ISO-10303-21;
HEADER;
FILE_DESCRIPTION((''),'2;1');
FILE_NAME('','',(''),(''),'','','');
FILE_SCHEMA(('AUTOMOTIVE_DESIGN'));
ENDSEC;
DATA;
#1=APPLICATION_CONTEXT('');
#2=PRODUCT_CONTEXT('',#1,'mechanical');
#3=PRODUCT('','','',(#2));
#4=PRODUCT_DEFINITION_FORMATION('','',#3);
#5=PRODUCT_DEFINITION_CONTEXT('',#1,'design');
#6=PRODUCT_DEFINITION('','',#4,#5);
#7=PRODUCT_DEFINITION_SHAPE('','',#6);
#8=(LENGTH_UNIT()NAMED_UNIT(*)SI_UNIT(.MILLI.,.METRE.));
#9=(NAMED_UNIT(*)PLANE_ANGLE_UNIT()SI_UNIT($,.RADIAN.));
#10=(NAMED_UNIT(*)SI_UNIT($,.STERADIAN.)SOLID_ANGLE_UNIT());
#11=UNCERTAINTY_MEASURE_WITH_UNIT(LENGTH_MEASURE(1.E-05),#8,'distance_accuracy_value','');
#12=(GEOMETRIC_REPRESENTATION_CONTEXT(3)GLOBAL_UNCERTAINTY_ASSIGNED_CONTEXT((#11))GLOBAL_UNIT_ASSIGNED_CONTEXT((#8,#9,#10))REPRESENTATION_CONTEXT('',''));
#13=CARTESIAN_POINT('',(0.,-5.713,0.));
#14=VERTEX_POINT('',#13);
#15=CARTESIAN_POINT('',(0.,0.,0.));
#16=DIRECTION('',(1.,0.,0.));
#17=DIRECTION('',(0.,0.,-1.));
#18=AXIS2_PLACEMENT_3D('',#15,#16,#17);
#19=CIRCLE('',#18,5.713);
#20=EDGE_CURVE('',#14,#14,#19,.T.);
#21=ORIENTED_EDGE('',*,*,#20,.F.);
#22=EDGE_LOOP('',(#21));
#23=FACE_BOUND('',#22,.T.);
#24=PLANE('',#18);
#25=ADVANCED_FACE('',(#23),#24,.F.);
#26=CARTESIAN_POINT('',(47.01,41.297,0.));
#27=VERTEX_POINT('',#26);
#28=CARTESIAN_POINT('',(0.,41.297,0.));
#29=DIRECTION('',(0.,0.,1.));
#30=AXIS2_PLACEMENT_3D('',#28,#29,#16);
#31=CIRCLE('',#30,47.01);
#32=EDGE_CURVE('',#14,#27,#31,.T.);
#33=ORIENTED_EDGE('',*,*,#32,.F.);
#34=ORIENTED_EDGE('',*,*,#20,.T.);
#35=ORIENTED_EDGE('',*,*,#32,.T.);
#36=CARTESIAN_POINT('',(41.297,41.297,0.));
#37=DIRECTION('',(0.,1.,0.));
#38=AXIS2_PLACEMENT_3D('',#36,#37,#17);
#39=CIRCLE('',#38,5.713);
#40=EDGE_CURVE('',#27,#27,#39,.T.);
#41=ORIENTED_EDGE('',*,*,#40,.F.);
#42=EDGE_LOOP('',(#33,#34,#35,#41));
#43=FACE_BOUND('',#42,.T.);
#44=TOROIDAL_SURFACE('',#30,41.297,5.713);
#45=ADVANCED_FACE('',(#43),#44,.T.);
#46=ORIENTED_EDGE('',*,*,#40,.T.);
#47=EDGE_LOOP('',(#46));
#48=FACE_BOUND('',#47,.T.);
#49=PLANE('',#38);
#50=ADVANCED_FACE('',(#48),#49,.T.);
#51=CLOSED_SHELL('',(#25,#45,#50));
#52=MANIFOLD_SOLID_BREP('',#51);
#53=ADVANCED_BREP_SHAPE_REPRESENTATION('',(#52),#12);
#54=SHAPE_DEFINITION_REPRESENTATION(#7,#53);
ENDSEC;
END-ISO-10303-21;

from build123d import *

# Parameters (mm, degrees)
SWEEPSECTION_R = 5.713


with BuildPart() as part:
    # OrdinarySweptBoss: sweep along a path in SweepPath
    with BuildLine(Plane.XY) as ordinarysweptboss_path:
        ThreePointArc((0, 0), (29.201388743, 12.095611257), (41.297, 41.297))
    # SweepSection → OrdinarySweptBoss (sweep)
    with BuildSketch(Plane(origin=(0, 0, 0), x_dir=(0, 0, -1), z_dir=(1, 0, 0))):
        Circle(SWEEPSECTION_R)
    sweep(path=ordinarysweptboss_path.line)


solid = part.part
